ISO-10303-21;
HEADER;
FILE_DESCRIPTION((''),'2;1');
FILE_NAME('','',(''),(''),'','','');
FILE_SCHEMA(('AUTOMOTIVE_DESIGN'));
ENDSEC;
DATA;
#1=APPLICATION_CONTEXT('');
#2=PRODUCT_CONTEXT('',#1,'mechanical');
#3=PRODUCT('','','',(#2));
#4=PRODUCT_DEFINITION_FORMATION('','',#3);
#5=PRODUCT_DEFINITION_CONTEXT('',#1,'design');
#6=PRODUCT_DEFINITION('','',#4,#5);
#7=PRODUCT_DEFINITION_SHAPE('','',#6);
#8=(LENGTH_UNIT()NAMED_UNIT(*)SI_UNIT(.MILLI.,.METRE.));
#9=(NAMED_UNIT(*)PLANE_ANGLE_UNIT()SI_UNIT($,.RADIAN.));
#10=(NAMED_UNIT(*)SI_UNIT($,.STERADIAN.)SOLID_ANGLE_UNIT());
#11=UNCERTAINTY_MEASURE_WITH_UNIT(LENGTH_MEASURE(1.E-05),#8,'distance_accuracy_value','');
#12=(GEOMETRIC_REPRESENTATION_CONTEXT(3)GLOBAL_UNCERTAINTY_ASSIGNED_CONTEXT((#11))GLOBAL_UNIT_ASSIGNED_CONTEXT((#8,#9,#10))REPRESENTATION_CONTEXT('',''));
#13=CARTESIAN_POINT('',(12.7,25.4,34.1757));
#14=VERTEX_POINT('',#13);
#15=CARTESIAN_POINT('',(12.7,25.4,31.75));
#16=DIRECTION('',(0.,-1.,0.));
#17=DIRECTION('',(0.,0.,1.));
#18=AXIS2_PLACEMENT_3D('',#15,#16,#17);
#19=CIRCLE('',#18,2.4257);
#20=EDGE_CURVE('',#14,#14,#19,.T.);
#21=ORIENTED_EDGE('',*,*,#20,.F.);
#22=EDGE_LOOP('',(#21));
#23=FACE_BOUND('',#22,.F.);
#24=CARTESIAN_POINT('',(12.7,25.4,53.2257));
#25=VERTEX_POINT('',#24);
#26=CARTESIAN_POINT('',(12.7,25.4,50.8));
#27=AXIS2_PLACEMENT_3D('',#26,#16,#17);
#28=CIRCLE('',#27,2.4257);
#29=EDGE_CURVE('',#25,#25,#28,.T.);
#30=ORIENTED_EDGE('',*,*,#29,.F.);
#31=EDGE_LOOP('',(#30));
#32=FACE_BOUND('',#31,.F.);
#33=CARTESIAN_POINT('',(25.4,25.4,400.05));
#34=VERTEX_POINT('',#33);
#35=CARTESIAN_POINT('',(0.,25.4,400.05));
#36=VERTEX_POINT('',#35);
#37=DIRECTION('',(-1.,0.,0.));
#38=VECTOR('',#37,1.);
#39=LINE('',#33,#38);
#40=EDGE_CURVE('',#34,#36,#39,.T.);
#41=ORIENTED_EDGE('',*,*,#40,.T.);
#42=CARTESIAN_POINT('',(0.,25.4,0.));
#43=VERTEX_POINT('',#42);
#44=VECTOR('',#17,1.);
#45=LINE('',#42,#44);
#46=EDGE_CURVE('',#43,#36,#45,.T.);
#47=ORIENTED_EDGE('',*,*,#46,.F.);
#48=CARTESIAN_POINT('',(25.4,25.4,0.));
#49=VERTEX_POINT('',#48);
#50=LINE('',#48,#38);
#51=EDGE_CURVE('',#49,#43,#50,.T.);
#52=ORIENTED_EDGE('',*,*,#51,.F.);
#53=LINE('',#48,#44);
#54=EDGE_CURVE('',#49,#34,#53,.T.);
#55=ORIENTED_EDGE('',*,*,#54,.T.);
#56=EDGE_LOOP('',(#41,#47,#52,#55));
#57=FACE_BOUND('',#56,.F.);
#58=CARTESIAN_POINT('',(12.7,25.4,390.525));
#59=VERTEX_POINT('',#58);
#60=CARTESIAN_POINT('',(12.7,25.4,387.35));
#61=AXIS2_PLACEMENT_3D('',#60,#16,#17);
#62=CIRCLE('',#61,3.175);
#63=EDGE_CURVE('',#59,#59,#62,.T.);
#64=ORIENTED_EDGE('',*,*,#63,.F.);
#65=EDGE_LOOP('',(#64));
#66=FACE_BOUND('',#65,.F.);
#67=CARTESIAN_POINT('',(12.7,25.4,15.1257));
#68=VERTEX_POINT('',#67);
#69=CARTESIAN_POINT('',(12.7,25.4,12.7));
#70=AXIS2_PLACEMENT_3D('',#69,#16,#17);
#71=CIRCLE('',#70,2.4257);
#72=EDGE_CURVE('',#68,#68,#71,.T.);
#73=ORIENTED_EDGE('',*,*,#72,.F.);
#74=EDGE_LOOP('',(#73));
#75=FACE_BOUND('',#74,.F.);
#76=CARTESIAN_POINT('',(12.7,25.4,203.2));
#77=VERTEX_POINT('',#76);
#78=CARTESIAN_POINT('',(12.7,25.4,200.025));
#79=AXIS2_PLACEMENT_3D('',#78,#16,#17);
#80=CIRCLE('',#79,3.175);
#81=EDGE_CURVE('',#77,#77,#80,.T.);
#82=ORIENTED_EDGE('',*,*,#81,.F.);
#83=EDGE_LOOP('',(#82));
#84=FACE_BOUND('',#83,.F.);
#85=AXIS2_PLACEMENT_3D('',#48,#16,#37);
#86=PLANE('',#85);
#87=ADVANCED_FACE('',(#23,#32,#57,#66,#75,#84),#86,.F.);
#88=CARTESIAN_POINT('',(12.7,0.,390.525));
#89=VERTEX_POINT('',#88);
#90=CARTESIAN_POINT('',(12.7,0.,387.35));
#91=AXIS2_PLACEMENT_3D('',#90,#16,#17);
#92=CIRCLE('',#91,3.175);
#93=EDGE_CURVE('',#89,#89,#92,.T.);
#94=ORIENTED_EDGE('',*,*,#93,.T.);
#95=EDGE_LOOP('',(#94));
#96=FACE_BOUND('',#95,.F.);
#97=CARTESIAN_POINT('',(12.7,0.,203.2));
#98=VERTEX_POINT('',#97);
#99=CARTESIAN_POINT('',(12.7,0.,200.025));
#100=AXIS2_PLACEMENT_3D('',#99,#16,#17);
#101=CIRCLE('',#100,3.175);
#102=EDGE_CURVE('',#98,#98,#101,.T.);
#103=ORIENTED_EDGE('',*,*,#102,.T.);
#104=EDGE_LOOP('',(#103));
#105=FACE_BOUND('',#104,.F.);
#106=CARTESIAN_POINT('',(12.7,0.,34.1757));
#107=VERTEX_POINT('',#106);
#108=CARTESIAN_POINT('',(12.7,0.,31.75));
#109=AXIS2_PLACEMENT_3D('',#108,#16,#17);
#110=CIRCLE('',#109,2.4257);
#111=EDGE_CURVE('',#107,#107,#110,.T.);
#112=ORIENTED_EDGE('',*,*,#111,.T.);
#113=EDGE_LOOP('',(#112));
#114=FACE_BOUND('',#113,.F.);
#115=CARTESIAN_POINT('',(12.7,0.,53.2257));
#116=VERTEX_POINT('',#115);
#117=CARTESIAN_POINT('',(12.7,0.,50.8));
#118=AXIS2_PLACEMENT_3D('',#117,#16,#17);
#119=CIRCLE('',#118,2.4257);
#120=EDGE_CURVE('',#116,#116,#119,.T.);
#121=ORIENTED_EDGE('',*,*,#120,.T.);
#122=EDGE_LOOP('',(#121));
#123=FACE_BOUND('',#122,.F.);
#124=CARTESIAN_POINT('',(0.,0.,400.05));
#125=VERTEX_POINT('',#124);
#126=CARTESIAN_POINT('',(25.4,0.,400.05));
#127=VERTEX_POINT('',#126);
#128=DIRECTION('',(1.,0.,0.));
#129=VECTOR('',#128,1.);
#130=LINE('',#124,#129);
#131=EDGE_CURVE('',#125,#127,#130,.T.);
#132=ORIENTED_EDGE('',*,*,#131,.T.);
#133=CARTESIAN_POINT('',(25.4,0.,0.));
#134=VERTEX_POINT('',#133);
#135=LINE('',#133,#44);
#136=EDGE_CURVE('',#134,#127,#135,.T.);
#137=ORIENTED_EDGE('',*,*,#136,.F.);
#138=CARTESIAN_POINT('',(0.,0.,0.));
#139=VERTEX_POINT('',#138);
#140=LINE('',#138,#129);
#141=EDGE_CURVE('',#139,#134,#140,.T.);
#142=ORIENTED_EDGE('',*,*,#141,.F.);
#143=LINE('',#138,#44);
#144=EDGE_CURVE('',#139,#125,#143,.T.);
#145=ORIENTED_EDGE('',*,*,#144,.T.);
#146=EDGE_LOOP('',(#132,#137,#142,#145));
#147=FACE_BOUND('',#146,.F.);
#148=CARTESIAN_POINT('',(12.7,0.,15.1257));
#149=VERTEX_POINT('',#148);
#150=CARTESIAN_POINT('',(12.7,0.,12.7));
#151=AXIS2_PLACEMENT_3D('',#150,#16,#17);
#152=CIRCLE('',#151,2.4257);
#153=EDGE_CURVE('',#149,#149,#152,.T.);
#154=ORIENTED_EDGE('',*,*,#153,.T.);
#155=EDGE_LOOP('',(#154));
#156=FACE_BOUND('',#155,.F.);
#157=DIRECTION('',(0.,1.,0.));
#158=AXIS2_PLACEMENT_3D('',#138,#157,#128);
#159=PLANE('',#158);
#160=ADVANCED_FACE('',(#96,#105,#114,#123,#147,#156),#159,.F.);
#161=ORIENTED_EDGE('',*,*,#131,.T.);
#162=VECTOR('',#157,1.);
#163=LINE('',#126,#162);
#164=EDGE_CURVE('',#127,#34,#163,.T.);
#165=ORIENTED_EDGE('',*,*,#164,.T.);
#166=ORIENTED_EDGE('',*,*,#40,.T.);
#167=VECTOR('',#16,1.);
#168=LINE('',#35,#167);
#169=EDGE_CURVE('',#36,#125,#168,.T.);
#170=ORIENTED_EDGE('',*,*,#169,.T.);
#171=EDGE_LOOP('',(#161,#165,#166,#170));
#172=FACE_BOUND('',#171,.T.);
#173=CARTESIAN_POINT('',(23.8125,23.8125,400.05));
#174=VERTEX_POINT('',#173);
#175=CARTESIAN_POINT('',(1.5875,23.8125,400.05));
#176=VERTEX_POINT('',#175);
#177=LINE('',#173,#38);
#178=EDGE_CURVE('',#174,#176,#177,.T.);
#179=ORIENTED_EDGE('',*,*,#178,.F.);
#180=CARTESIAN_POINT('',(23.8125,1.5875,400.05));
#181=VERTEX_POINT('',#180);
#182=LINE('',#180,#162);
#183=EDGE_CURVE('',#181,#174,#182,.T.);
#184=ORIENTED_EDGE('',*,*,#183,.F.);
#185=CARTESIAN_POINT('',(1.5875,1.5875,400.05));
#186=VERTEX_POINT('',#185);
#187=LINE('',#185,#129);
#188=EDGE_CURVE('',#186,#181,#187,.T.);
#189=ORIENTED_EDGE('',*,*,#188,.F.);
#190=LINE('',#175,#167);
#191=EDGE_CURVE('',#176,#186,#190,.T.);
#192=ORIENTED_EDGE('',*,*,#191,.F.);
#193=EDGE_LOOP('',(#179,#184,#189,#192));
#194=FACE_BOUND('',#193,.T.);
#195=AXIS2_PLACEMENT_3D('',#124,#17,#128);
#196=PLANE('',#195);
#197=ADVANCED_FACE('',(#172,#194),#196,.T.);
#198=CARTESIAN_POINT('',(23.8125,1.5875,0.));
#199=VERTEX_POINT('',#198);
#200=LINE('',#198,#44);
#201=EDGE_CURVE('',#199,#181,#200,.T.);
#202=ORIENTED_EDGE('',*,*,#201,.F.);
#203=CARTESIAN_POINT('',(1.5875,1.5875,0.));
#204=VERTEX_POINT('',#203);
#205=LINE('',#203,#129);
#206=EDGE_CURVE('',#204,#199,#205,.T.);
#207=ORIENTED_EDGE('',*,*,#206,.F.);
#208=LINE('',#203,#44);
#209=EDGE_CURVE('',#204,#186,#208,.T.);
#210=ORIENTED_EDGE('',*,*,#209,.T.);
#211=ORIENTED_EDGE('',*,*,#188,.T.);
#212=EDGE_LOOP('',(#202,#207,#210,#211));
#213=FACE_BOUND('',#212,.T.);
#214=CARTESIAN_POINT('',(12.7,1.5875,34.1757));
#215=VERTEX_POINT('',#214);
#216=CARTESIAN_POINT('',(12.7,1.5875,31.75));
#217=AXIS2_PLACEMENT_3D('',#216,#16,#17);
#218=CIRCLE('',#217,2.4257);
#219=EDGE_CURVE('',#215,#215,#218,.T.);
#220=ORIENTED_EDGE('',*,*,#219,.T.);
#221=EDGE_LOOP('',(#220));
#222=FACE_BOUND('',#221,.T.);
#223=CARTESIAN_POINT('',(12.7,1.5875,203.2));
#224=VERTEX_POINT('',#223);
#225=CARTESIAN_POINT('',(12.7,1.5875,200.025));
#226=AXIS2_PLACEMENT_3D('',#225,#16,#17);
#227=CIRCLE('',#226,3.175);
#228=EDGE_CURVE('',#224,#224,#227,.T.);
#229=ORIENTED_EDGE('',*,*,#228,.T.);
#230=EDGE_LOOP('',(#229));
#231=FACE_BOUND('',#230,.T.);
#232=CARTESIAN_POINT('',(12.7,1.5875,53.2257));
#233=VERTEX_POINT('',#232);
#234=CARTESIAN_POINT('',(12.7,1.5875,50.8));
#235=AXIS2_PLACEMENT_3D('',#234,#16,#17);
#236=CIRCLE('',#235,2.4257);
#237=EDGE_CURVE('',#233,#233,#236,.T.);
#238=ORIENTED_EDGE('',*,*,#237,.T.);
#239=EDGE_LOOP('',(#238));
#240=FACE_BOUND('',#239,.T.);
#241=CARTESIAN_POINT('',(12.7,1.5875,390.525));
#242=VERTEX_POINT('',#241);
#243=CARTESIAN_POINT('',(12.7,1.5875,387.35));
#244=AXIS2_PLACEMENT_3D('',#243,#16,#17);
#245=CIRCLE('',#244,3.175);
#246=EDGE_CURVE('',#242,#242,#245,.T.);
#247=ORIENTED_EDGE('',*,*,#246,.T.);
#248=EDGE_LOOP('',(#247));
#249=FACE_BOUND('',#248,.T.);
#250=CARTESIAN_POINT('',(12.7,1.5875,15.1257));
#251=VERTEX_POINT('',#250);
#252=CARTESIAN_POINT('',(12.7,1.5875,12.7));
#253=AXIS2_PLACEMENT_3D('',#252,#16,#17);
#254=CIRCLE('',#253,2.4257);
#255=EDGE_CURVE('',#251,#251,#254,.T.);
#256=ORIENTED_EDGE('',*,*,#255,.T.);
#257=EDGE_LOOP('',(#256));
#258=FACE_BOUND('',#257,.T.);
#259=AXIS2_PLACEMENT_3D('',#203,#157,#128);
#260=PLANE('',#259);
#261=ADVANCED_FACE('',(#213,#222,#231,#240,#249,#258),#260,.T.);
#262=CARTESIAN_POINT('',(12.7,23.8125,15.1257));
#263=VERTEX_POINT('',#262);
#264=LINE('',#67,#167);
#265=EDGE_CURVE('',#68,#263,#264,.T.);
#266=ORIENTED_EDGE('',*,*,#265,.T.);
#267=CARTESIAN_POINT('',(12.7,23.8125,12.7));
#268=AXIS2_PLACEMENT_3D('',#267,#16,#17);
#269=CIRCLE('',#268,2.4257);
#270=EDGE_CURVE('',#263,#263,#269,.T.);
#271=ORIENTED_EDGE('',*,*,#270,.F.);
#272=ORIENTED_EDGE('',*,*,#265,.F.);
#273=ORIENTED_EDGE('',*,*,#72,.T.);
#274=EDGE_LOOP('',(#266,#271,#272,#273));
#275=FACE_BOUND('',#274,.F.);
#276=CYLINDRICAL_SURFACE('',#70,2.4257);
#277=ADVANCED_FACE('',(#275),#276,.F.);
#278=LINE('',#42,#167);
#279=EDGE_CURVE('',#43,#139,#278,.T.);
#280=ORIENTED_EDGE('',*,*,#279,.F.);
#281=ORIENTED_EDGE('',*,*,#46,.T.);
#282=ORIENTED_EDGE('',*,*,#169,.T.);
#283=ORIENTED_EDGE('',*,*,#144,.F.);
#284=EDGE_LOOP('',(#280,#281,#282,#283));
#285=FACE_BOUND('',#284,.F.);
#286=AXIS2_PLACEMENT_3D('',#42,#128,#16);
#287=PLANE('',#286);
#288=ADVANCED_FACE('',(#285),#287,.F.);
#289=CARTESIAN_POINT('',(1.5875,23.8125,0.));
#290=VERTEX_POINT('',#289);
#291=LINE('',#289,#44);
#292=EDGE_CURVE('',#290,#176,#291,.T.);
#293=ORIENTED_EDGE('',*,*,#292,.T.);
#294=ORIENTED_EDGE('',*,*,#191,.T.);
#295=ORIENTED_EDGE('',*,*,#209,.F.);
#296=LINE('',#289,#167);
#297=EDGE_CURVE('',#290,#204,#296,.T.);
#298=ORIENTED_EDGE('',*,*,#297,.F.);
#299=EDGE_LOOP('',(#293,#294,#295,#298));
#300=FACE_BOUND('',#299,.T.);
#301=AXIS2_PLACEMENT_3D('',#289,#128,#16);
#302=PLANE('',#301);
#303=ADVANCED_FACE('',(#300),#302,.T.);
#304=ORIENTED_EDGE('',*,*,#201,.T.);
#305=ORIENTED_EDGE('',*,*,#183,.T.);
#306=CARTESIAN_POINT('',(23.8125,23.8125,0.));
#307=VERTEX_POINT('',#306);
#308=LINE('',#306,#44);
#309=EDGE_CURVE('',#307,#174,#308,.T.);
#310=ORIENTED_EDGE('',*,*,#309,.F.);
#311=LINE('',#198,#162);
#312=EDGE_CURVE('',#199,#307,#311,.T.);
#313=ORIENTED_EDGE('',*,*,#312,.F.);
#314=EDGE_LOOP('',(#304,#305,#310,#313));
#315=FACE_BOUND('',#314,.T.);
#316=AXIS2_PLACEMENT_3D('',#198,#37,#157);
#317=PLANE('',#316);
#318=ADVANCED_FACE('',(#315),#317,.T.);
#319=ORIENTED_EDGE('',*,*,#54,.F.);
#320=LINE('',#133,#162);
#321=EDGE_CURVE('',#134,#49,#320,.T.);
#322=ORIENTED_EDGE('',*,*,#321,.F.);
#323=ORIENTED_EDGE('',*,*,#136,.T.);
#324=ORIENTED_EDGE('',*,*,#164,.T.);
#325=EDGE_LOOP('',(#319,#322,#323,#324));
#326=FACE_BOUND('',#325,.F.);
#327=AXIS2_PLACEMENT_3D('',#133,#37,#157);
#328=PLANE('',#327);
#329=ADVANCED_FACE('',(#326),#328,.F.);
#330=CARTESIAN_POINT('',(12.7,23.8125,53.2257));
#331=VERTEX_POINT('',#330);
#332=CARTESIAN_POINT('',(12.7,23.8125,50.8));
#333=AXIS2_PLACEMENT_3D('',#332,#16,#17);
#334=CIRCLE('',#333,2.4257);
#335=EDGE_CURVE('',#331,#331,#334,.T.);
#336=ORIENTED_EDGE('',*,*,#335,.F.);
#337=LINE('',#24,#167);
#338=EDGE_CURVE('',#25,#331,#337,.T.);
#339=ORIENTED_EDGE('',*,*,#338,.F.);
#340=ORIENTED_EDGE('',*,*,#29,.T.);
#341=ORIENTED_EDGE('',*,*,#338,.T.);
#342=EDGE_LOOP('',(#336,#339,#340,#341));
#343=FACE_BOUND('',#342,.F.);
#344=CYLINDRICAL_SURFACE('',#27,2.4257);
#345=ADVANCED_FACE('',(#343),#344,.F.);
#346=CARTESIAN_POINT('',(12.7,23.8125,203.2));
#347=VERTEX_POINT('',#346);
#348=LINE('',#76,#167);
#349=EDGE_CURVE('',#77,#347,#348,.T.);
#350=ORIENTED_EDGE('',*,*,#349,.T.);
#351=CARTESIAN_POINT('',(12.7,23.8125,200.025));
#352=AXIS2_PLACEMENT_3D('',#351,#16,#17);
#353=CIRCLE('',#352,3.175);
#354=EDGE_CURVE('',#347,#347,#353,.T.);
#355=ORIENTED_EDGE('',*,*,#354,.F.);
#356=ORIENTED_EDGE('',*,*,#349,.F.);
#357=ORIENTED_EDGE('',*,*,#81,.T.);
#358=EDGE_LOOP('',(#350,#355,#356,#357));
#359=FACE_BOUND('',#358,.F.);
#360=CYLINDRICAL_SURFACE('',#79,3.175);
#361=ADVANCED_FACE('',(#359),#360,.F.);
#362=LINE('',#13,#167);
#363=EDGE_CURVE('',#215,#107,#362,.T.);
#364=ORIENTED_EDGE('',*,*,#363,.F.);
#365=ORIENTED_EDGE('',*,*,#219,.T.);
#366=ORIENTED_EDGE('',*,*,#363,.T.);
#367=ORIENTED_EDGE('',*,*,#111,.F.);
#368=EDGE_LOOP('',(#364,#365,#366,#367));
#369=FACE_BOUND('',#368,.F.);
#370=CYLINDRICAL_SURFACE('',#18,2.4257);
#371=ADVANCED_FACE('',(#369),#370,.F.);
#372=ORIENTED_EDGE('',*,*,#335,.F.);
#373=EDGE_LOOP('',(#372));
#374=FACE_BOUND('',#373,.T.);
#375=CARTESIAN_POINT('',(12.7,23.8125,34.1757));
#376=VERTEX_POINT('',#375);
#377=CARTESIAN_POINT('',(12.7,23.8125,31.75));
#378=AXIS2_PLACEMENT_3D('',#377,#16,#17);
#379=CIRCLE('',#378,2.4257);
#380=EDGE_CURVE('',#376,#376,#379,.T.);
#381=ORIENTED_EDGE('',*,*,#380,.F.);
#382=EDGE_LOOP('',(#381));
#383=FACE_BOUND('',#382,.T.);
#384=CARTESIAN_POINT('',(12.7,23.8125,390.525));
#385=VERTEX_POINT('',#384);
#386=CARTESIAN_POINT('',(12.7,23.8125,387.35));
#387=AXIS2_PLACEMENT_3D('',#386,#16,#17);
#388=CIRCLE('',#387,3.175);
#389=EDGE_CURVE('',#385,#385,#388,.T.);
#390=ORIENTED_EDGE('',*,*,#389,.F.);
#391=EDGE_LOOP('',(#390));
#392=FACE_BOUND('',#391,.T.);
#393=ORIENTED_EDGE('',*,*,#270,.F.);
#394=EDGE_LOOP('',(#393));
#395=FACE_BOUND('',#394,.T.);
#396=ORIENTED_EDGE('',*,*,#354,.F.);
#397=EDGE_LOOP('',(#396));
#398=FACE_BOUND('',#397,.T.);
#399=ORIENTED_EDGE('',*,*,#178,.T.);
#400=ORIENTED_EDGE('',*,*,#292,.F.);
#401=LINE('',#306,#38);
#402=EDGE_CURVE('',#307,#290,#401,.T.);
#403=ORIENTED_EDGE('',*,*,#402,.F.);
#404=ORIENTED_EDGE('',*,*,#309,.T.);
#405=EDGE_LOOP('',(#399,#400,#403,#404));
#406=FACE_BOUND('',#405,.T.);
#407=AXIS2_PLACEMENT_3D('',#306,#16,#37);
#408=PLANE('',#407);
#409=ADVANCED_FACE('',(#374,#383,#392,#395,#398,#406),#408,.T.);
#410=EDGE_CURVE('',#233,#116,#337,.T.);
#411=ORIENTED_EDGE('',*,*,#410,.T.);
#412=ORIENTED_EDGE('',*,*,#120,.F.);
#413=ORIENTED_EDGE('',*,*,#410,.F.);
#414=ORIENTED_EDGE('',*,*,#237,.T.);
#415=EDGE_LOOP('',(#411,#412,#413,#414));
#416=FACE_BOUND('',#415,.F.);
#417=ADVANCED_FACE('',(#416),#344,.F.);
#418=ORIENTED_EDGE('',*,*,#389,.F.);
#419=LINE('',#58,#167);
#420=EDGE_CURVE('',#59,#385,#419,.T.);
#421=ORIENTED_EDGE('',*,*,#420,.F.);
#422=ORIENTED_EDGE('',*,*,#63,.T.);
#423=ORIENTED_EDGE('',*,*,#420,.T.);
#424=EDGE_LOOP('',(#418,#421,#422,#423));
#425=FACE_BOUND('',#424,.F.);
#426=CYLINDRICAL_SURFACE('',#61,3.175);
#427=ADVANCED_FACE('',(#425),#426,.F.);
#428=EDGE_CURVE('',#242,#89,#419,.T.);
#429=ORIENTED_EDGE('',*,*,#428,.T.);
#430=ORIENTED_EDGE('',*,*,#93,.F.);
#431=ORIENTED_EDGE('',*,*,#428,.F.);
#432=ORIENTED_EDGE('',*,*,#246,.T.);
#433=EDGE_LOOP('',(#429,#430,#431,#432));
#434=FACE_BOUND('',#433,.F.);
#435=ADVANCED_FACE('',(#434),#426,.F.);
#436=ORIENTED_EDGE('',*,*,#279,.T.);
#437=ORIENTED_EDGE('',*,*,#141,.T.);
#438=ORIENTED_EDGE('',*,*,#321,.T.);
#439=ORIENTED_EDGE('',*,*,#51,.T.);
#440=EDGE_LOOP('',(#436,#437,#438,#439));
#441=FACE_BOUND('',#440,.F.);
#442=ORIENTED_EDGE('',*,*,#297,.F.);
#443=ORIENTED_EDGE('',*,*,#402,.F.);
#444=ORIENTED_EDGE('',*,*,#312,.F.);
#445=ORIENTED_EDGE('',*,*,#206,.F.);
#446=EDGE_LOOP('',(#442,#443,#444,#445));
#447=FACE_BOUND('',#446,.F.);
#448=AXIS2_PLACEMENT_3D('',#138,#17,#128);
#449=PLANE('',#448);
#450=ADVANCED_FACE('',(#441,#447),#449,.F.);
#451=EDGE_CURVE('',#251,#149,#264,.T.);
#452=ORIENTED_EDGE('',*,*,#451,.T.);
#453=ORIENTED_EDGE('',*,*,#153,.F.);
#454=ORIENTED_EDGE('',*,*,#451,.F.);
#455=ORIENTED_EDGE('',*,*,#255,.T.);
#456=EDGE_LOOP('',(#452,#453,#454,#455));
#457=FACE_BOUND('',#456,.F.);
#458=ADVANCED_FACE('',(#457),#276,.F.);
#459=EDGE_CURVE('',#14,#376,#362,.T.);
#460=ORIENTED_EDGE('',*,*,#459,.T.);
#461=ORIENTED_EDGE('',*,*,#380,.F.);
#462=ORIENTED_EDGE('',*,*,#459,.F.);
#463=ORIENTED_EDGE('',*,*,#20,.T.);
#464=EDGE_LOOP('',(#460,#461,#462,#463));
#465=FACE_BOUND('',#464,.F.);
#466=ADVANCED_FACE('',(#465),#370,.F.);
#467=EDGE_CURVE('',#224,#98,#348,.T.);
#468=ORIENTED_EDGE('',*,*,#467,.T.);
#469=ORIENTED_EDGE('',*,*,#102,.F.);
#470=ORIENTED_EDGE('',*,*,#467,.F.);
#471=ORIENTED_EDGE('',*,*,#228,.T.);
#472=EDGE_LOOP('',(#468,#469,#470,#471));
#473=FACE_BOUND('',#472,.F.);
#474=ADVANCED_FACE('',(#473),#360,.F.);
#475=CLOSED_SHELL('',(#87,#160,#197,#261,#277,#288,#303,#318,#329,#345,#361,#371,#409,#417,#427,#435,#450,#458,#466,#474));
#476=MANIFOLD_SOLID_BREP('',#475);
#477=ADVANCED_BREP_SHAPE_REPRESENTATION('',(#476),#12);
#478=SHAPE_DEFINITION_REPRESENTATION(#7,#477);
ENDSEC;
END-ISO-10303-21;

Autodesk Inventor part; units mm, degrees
ref_plane "YZ Plane" through (0, 0, 0) normal (1, 0, 0) x (0, 1, 0)
ref_plane "XZ Plane" through (0, 0, 0) normal (0, 1, 0) x (-1, 0, 0)
ref_plane "XY Plane" through (0, 0, 0) normal (0, 0, 1) x (1, 0, 0)
sketch "Sketch1" plane through (0, 0, 0) normal (0, 0, 1) x (1, 0, 0)
  line L0 (0, 0) -> (25.4, 0)
  line L1 (25.4, 0) -> (25.4, 25.4)
  line L2 (25.4, 25.4) -> (0, 25.4)
  line L3 (0, 25.4) -> (0, 0)
  line L4 (1.5875, 1.5875) -> (23.8125, 1.5875)
  line L5 (23.8125, 1.5875) -> (23.8125, 23.8125)
  line L6 (23.8125, 23.8125) -> (1.5875, 23.8125)
  line L7 (1.5875, 23.8125) -> (1.5875, 1.5875)
  dimension "d0" = 25.4
  dimension "d1" = 25.4
  dimension "d2" = 1.5875
extrude "Extrusion1" add sketch "Sketch1" along normal blind 400.05
sketch "Sketch3" plane through (0, 25.4, 0) normal (0, 1, 0) x (1, 0, 0)
  line L0 (25.4, 0) -> (0, 0) projected
  line L1 (0, 0) -> (0, -400.05) projected
  line L2 (25.4, -400.05) -> (0, -400.05) projected
  line L3 (25.4, 0) -> (25.4, -400.05) projected
  point P0 (0, 0)
  point P1 (12.7, -200.025)
  dimension "d15" = 200.025
  dimension "d16" = 400.05
  dimension "d17" = 12.7
hole "Hole2" at (12.7, 25.4, 200.025) direction (0, -1, 0) diameter 6.35 end through all clearance for "Flat Head Machine Screw (82)" size "1/4" standard "Ansi Unified Screw Threads"
sketch "Sketch4" plane through (0, 25.4, 0) normal (0, 1, 0) x (1, 0, 0)
  circle A0 centre (12.7, -200.025) radius 3.175 projected
  line L0 (25.4, 0) -> (0, 0) projected
  line L1 (0, 0) -> (0, -400.05) projected
  line L2 (25.4, -400.05) -> (0, -400.05) projected
  line L3 (25.4, 0) -> (25.4, -400.05) projected
  point P0 (0, 0)
  point P1 (12.7, -387.35)
  dimension "d25" = 12.7
  dimension "d26" = 12.7
  dimension "d27" = 12.7
hole "Hole3" at (12.7, 25.4, 387.35) direction (0, -1, 0) diameter 6.35 end through all
sketch "Sketch5" plane through (0, 25.4, 0) normal (0, 1, 0) x (1, 0, 0)
  line L0 (25.4, 0) -> (0, 0) projected
  line L1 (25.4, 0) -> (25.4, -400.05) projected
  point P0 (12.7, -12.7)
  dimension "d35" = 12.7
  dimension "d36" = 12.7
hole "Hole4" at (12.7, 25.4, 12.7) direction (0, -1, 0) diameter 4.8514 end through all
pattern_linear "Rectangular Pattern1" count 3 spacing 19.05 along (0, 0, 1) of "Hole4"
equation "\"d15\" = 0.5 * d16"
equation "\"d25\" = d26"
properties part number "CLB_042_FourPartScissorBarBottom" material "Aluminum 6061"
